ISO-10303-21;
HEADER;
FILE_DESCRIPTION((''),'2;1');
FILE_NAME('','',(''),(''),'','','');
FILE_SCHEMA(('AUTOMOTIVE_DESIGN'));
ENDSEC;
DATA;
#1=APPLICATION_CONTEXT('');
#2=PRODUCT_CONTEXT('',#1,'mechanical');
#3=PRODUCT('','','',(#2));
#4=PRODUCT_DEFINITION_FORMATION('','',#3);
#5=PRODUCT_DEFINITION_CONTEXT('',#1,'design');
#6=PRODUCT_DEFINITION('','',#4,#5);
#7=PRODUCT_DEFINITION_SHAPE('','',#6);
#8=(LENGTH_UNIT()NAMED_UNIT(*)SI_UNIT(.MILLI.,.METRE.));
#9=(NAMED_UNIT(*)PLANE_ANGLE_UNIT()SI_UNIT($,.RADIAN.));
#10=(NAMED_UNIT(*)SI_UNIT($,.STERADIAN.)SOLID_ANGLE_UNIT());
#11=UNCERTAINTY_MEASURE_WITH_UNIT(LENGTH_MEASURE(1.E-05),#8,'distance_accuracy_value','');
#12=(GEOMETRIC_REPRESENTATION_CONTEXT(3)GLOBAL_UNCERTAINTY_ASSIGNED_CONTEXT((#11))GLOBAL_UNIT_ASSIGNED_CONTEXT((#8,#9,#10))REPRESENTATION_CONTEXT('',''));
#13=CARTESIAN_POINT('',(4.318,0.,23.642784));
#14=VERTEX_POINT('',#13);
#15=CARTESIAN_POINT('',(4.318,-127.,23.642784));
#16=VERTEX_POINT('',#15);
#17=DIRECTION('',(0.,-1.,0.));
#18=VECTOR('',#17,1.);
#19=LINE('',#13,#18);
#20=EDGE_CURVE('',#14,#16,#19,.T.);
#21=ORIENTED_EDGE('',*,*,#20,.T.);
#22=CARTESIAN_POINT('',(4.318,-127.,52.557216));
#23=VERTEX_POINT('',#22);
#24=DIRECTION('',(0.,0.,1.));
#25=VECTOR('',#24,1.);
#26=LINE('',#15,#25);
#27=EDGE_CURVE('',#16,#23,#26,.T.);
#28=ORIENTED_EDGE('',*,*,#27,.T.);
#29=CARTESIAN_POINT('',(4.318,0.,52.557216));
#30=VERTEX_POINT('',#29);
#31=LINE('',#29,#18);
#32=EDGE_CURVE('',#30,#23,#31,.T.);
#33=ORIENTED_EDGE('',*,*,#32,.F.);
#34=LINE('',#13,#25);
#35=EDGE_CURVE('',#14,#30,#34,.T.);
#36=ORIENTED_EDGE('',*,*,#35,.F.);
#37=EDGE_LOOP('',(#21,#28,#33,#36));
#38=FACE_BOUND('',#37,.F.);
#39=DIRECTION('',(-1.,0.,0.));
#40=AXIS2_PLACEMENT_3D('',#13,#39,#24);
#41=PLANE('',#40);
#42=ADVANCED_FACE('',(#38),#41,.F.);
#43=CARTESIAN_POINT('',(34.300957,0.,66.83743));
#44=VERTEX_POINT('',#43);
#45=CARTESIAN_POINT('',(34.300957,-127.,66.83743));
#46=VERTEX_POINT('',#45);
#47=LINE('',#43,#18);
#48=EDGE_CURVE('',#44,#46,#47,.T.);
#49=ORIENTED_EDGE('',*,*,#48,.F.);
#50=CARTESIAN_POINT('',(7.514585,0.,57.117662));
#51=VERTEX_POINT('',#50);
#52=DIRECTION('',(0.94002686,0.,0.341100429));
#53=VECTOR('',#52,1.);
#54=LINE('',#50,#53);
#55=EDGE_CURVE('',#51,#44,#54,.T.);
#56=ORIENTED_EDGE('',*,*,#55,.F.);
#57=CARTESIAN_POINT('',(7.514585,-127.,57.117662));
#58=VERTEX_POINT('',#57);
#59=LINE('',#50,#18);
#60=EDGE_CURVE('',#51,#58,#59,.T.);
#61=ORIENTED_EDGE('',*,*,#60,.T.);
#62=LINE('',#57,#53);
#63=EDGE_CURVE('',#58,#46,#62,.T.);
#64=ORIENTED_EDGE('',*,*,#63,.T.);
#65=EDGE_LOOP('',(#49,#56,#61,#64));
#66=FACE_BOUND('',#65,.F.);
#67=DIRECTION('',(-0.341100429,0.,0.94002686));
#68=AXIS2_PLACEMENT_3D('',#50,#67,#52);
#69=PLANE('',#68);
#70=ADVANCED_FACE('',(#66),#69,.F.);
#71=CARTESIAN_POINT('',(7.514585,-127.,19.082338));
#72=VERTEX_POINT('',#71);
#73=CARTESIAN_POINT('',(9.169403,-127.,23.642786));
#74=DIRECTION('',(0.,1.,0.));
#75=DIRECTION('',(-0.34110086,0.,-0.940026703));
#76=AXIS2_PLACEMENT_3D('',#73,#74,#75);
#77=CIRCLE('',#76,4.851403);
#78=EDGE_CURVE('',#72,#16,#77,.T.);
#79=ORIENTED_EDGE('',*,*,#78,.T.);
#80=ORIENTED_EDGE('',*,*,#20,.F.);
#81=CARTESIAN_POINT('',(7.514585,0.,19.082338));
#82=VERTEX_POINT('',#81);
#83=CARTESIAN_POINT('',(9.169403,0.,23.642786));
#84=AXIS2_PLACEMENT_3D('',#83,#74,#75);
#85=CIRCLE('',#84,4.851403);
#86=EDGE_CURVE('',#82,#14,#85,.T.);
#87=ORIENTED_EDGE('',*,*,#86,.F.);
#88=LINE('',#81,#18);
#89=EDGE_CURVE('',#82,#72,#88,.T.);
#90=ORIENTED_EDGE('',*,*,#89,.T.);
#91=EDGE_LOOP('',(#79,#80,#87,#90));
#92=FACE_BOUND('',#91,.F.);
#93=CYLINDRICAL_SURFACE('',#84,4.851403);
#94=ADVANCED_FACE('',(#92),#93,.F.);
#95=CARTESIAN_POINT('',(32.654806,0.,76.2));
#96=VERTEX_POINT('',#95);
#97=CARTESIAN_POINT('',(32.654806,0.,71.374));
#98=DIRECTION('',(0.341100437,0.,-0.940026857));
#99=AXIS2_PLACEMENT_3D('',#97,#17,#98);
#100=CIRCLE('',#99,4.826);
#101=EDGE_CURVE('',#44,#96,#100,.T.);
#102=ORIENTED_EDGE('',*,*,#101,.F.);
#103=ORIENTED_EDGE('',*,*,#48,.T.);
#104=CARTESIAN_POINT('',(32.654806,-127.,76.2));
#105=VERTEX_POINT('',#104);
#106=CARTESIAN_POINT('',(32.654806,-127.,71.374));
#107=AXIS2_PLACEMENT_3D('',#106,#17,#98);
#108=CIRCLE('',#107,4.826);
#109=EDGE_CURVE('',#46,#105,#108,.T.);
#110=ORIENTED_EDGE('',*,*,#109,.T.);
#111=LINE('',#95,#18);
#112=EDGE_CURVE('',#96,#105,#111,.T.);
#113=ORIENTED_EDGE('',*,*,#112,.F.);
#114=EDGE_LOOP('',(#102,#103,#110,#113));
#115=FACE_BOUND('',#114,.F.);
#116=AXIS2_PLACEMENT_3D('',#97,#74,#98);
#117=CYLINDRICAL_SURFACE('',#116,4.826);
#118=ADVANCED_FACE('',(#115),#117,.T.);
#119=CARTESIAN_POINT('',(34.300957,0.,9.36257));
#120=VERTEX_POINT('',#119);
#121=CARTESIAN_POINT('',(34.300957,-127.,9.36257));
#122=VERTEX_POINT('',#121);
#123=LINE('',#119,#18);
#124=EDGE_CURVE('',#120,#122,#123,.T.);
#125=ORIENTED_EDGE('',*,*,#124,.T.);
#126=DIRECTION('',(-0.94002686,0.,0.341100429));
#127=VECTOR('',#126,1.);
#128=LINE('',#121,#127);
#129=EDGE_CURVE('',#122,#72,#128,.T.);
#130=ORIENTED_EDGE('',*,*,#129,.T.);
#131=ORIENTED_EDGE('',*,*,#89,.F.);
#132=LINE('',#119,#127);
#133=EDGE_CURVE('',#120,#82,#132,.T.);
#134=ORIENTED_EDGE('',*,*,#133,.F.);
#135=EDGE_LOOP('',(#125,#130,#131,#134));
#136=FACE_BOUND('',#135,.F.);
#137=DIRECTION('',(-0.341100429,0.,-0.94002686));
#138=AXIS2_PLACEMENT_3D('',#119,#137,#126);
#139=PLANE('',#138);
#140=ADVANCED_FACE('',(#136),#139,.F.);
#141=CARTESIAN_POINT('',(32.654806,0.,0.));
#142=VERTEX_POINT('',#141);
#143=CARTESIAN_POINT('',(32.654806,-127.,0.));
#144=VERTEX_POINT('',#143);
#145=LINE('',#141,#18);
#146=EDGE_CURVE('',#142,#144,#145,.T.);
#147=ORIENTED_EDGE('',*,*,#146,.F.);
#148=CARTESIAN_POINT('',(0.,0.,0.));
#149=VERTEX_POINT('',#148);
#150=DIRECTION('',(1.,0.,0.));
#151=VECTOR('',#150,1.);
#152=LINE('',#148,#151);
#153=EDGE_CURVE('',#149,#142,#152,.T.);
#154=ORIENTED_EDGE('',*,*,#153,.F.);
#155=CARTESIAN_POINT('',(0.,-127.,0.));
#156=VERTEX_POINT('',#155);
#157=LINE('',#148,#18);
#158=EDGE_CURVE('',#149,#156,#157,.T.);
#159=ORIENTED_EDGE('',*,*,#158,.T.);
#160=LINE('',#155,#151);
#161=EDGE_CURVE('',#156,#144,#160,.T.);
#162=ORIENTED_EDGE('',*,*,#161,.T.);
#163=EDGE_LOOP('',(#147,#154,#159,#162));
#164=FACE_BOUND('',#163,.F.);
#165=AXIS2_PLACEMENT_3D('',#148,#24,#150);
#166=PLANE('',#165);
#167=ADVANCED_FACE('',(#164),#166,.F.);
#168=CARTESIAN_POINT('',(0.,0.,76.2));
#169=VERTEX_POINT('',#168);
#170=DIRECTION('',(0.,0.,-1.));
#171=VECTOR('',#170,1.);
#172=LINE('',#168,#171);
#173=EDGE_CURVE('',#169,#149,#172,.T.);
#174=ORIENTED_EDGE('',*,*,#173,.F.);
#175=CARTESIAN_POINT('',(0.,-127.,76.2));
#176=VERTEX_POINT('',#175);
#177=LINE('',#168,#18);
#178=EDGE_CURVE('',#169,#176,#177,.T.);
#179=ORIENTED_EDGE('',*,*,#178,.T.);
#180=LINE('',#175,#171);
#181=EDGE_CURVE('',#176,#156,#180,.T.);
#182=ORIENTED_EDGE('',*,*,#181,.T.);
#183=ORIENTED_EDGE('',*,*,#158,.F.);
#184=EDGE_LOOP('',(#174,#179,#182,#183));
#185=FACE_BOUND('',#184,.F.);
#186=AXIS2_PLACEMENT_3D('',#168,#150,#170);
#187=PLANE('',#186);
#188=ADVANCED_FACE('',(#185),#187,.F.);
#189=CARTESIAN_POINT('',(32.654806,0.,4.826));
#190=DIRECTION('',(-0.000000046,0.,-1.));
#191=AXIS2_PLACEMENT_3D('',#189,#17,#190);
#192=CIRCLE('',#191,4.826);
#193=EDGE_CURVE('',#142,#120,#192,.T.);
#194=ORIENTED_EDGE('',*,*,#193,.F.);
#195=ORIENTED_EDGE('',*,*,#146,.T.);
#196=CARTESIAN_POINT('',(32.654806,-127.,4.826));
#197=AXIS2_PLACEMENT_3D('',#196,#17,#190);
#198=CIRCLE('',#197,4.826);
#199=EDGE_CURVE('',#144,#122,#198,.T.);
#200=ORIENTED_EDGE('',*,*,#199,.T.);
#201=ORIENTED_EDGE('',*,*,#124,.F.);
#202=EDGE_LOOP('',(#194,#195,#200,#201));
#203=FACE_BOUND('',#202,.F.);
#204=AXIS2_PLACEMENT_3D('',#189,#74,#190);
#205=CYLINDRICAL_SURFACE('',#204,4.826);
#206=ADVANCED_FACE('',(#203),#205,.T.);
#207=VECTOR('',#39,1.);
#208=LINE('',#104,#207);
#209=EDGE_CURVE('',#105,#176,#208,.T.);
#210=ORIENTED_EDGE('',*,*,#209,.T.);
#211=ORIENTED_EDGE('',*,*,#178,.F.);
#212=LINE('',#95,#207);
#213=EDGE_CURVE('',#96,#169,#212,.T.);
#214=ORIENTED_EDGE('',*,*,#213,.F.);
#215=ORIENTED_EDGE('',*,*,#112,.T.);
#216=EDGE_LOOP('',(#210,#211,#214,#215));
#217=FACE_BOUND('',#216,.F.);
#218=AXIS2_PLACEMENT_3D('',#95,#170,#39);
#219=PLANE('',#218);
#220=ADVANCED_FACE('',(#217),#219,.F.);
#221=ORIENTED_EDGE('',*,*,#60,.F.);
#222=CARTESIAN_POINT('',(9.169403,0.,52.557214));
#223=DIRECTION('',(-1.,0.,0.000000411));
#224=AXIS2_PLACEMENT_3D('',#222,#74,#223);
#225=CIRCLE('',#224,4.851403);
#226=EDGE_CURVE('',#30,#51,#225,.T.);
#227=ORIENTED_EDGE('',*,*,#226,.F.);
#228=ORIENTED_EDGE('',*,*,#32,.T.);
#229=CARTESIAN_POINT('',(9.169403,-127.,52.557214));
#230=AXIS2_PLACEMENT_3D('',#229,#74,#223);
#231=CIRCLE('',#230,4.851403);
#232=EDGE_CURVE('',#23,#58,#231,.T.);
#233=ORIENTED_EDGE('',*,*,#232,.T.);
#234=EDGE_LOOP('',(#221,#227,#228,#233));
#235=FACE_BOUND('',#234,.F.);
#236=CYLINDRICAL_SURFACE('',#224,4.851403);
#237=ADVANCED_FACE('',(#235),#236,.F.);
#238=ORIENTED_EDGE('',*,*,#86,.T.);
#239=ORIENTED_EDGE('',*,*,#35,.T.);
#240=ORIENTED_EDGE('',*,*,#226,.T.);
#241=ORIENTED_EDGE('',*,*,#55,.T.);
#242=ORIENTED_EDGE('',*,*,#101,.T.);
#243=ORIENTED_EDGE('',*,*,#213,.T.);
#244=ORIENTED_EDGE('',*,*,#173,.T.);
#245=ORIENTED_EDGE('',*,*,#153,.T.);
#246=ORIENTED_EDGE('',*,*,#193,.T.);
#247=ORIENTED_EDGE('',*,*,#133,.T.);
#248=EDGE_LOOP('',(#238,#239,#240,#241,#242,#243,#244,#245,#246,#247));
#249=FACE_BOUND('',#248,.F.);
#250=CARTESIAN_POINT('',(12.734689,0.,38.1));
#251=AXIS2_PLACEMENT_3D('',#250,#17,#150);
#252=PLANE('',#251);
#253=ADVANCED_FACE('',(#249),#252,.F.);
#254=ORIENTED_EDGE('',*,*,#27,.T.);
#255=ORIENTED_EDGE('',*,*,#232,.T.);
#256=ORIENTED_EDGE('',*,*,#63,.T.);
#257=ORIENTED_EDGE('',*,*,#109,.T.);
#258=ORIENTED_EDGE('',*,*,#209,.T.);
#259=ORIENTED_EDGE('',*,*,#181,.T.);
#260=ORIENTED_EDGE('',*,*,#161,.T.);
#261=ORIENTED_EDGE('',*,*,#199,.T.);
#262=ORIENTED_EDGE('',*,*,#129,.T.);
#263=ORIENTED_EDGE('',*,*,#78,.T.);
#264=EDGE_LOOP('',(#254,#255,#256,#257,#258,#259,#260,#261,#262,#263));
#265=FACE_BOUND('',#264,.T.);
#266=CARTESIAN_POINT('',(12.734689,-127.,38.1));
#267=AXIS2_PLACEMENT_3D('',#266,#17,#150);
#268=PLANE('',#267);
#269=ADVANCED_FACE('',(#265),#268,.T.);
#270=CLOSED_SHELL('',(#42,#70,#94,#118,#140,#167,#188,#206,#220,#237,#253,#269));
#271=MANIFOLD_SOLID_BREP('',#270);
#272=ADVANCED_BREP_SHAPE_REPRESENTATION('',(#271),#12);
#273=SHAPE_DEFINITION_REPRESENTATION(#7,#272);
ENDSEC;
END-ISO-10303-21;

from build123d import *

# Parameters (mm, degrees)
F1_DEPTH = 127


with BuildPart() as f1:
    # F0 (on Front) → F1 (new body)
    with BuildSketch(Plane.XZ):
        with BuildLine():
            Line((0, 38.1), (0, 0))
            Line((0, 0), (32.654806, 0))
            ThreePointArc((32.654806, 0), (37.407898, 3.990299), (34.300957, 9.36257))
            Line((34.300957, 9.36257), (7.514585, 19.082338))
            ThreePointArc((7.514585, 19.082338), (5.196728, 20.858192), (4.318, 23.642784))
            Line((4.318, 23.642784), (4.318, 38.1))
            Line((4.318, 38.1), (4.318, 52.557216))
            ThreePointArc((4.318, 52.557216), (5.196728, 55.341808), (7.514585, 57.117662))
            Line((7.514585, 57.117662), (34.300957, 66.83743))
            ThreePointArc((34.300957, 66.83743), (37.407898, 72.209701), (32.654806, 76.2))
            Line((32.654806, 76.2), (0, 76.2))
            Line((0, 76.2), (0, 38.1))
        make_face()
    extrude(amount=F1_DEPTH)


solid = f1.part
